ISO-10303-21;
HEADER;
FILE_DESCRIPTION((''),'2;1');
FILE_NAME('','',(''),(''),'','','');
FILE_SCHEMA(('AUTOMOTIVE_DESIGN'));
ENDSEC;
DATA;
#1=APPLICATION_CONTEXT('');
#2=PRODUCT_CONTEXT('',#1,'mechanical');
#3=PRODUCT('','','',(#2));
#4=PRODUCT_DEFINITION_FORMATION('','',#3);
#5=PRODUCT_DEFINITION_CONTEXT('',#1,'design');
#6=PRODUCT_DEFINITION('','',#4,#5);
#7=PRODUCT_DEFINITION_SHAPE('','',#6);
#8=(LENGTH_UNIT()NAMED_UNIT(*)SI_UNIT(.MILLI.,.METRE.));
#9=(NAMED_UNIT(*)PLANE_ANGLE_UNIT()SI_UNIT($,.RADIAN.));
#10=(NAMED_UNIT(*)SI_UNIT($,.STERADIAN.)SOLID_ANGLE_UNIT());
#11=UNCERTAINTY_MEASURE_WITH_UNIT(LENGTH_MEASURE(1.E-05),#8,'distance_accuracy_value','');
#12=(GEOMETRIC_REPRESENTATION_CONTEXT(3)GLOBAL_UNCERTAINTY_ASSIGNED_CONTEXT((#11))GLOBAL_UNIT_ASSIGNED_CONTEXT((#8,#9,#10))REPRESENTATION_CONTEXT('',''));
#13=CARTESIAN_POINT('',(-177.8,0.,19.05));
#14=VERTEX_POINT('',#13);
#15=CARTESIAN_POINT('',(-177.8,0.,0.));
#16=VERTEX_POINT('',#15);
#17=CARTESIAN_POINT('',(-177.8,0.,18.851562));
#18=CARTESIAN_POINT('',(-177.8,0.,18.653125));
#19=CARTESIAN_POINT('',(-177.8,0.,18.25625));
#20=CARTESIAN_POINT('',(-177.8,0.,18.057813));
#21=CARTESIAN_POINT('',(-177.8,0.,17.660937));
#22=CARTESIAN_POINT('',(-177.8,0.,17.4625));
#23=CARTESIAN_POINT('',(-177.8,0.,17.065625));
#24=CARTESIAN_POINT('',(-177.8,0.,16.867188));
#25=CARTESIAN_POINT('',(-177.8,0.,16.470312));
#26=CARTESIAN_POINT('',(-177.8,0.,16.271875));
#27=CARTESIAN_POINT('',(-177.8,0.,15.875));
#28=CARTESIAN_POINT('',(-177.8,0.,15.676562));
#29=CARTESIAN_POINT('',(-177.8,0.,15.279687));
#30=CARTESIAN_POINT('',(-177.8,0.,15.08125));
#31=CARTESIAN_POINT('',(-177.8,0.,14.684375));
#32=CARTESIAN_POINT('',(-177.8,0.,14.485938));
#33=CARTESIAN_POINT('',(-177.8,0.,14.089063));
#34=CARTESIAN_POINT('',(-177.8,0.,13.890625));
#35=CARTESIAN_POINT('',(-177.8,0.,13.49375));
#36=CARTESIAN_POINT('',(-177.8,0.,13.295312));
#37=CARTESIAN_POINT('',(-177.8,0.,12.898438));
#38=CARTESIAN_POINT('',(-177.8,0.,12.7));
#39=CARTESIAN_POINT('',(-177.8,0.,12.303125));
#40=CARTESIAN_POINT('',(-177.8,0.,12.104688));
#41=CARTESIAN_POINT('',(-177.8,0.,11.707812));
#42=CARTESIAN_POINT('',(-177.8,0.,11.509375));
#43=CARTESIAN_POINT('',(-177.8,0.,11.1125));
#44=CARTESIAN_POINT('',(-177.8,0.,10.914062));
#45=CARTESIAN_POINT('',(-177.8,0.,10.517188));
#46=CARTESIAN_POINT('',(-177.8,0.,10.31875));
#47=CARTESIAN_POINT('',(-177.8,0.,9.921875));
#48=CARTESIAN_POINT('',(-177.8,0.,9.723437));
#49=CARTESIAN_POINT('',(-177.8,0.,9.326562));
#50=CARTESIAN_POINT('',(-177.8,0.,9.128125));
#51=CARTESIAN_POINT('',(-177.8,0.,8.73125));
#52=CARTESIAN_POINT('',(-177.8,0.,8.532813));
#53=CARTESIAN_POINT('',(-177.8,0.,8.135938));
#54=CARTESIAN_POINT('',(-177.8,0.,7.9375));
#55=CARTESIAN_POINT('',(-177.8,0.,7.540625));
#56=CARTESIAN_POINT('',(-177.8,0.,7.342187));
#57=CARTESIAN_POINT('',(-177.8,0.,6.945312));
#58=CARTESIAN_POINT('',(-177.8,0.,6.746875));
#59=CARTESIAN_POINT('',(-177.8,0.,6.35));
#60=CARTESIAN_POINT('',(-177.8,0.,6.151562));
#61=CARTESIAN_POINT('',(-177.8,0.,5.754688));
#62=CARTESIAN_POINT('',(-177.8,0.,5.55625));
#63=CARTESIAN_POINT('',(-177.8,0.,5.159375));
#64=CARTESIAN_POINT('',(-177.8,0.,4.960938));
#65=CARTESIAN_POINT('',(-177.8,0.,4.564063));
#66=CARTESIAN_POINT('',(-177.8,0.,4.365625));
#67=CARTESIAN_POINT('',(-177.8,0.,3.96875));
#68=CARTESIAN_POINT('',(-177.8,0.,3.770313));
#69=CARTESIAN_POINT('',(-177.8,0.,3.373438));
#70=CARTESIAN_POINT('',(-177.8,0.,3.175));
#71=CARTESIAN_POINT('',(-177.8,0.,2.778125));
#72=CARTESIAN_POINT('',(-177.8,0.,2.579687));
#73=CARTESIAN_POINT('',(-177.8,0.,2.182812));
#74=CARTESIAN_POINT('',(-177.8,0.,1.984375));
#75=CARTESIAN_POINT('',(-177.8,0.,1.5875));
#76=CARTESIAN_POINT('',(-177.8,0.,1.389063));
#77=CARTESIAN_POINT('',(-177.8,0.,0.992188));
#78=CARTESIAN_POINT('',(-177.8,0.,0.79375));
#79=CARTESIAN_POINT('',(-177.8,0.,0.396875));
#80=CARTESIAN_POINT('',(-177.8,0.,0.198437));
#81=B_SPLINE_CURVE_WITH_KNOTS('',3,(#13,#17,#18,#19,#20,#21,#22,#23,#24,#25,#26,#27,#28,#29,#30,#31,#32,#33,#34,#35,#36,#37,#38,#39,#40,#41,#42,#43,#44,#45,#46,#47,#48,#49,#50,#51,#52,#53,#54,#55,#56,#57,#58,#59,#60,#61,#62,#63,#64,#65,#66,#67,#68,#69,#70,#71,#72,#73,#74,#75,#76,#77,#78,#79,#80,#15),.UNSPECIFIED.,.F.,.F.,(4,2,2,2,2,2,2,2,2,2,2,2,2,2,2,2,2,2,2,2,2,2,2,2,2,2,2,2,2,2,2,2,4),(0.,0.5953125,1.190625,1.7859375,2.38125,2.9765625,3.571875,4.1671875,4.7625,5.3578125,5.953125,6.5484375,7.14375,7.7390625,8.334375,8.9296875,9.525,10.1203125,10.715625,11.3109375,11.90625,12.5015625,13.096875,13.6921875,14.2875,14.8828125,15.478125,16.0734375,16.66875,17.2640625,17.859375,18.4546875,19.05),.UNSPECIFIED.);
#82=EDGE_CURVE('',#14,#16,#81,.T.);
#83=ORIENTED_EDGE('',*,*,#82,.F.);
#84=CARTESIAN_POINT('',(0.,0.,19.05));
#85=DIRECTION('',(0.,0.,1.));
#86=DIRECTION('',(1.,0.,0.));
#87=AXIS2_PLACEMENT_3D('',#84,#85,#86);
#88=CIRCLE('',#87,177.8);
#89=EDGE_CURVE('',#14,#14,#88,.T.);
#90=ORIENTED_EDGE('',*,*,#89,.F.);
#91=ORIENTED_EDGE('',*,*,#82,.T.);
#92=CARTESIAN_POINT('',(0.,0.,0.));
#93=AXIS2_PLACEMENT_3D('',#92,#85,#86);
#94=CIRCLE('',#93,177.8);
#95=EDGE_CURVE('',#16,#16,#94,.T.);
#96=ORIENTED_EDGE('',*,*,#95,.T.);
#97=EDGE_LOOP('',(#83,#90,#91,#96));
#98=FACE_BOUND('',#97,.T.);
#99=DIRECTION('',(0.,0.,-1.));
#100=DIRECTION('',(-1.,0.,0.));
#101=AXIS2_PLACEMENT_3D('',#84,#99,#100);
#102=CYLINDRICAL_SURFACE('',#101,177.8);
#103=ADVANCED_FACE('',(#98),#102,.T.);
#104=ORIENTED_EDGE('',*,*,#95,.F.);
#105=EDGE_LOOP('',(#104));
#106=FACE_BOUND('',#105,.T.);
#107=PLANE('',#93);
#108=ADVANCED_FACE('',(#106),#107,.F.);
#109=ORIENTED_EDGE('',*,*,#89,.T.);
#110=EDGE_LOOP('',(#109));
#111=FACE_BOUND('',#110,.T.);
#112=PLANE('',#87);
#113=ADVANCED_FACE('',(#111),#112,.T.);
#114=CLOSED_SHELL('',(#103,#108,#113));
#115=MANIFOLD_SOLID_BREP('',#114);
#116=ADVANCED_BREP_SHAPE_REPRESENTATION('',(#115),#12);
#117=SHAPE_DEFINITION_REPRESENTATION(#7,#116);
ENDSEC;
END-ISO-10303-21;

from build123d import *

# Parameters (mm, degrees)
SKETCH1_R           = 177.8
BOSS_EXTRUDE1_DEPTH = 19.05


with BuildPart() as part:
    # Sketch1 → Boss-Extrude1 (new body)
    with BuildSketch(Plane.XY):
        with Locations(Location((0, 0, 0), (0, 0, 180))):
            Circle(SKETCH1_R)
    extrude(amount=BOSS_EXTRUDE1_DEPTH)


solid = part.part
